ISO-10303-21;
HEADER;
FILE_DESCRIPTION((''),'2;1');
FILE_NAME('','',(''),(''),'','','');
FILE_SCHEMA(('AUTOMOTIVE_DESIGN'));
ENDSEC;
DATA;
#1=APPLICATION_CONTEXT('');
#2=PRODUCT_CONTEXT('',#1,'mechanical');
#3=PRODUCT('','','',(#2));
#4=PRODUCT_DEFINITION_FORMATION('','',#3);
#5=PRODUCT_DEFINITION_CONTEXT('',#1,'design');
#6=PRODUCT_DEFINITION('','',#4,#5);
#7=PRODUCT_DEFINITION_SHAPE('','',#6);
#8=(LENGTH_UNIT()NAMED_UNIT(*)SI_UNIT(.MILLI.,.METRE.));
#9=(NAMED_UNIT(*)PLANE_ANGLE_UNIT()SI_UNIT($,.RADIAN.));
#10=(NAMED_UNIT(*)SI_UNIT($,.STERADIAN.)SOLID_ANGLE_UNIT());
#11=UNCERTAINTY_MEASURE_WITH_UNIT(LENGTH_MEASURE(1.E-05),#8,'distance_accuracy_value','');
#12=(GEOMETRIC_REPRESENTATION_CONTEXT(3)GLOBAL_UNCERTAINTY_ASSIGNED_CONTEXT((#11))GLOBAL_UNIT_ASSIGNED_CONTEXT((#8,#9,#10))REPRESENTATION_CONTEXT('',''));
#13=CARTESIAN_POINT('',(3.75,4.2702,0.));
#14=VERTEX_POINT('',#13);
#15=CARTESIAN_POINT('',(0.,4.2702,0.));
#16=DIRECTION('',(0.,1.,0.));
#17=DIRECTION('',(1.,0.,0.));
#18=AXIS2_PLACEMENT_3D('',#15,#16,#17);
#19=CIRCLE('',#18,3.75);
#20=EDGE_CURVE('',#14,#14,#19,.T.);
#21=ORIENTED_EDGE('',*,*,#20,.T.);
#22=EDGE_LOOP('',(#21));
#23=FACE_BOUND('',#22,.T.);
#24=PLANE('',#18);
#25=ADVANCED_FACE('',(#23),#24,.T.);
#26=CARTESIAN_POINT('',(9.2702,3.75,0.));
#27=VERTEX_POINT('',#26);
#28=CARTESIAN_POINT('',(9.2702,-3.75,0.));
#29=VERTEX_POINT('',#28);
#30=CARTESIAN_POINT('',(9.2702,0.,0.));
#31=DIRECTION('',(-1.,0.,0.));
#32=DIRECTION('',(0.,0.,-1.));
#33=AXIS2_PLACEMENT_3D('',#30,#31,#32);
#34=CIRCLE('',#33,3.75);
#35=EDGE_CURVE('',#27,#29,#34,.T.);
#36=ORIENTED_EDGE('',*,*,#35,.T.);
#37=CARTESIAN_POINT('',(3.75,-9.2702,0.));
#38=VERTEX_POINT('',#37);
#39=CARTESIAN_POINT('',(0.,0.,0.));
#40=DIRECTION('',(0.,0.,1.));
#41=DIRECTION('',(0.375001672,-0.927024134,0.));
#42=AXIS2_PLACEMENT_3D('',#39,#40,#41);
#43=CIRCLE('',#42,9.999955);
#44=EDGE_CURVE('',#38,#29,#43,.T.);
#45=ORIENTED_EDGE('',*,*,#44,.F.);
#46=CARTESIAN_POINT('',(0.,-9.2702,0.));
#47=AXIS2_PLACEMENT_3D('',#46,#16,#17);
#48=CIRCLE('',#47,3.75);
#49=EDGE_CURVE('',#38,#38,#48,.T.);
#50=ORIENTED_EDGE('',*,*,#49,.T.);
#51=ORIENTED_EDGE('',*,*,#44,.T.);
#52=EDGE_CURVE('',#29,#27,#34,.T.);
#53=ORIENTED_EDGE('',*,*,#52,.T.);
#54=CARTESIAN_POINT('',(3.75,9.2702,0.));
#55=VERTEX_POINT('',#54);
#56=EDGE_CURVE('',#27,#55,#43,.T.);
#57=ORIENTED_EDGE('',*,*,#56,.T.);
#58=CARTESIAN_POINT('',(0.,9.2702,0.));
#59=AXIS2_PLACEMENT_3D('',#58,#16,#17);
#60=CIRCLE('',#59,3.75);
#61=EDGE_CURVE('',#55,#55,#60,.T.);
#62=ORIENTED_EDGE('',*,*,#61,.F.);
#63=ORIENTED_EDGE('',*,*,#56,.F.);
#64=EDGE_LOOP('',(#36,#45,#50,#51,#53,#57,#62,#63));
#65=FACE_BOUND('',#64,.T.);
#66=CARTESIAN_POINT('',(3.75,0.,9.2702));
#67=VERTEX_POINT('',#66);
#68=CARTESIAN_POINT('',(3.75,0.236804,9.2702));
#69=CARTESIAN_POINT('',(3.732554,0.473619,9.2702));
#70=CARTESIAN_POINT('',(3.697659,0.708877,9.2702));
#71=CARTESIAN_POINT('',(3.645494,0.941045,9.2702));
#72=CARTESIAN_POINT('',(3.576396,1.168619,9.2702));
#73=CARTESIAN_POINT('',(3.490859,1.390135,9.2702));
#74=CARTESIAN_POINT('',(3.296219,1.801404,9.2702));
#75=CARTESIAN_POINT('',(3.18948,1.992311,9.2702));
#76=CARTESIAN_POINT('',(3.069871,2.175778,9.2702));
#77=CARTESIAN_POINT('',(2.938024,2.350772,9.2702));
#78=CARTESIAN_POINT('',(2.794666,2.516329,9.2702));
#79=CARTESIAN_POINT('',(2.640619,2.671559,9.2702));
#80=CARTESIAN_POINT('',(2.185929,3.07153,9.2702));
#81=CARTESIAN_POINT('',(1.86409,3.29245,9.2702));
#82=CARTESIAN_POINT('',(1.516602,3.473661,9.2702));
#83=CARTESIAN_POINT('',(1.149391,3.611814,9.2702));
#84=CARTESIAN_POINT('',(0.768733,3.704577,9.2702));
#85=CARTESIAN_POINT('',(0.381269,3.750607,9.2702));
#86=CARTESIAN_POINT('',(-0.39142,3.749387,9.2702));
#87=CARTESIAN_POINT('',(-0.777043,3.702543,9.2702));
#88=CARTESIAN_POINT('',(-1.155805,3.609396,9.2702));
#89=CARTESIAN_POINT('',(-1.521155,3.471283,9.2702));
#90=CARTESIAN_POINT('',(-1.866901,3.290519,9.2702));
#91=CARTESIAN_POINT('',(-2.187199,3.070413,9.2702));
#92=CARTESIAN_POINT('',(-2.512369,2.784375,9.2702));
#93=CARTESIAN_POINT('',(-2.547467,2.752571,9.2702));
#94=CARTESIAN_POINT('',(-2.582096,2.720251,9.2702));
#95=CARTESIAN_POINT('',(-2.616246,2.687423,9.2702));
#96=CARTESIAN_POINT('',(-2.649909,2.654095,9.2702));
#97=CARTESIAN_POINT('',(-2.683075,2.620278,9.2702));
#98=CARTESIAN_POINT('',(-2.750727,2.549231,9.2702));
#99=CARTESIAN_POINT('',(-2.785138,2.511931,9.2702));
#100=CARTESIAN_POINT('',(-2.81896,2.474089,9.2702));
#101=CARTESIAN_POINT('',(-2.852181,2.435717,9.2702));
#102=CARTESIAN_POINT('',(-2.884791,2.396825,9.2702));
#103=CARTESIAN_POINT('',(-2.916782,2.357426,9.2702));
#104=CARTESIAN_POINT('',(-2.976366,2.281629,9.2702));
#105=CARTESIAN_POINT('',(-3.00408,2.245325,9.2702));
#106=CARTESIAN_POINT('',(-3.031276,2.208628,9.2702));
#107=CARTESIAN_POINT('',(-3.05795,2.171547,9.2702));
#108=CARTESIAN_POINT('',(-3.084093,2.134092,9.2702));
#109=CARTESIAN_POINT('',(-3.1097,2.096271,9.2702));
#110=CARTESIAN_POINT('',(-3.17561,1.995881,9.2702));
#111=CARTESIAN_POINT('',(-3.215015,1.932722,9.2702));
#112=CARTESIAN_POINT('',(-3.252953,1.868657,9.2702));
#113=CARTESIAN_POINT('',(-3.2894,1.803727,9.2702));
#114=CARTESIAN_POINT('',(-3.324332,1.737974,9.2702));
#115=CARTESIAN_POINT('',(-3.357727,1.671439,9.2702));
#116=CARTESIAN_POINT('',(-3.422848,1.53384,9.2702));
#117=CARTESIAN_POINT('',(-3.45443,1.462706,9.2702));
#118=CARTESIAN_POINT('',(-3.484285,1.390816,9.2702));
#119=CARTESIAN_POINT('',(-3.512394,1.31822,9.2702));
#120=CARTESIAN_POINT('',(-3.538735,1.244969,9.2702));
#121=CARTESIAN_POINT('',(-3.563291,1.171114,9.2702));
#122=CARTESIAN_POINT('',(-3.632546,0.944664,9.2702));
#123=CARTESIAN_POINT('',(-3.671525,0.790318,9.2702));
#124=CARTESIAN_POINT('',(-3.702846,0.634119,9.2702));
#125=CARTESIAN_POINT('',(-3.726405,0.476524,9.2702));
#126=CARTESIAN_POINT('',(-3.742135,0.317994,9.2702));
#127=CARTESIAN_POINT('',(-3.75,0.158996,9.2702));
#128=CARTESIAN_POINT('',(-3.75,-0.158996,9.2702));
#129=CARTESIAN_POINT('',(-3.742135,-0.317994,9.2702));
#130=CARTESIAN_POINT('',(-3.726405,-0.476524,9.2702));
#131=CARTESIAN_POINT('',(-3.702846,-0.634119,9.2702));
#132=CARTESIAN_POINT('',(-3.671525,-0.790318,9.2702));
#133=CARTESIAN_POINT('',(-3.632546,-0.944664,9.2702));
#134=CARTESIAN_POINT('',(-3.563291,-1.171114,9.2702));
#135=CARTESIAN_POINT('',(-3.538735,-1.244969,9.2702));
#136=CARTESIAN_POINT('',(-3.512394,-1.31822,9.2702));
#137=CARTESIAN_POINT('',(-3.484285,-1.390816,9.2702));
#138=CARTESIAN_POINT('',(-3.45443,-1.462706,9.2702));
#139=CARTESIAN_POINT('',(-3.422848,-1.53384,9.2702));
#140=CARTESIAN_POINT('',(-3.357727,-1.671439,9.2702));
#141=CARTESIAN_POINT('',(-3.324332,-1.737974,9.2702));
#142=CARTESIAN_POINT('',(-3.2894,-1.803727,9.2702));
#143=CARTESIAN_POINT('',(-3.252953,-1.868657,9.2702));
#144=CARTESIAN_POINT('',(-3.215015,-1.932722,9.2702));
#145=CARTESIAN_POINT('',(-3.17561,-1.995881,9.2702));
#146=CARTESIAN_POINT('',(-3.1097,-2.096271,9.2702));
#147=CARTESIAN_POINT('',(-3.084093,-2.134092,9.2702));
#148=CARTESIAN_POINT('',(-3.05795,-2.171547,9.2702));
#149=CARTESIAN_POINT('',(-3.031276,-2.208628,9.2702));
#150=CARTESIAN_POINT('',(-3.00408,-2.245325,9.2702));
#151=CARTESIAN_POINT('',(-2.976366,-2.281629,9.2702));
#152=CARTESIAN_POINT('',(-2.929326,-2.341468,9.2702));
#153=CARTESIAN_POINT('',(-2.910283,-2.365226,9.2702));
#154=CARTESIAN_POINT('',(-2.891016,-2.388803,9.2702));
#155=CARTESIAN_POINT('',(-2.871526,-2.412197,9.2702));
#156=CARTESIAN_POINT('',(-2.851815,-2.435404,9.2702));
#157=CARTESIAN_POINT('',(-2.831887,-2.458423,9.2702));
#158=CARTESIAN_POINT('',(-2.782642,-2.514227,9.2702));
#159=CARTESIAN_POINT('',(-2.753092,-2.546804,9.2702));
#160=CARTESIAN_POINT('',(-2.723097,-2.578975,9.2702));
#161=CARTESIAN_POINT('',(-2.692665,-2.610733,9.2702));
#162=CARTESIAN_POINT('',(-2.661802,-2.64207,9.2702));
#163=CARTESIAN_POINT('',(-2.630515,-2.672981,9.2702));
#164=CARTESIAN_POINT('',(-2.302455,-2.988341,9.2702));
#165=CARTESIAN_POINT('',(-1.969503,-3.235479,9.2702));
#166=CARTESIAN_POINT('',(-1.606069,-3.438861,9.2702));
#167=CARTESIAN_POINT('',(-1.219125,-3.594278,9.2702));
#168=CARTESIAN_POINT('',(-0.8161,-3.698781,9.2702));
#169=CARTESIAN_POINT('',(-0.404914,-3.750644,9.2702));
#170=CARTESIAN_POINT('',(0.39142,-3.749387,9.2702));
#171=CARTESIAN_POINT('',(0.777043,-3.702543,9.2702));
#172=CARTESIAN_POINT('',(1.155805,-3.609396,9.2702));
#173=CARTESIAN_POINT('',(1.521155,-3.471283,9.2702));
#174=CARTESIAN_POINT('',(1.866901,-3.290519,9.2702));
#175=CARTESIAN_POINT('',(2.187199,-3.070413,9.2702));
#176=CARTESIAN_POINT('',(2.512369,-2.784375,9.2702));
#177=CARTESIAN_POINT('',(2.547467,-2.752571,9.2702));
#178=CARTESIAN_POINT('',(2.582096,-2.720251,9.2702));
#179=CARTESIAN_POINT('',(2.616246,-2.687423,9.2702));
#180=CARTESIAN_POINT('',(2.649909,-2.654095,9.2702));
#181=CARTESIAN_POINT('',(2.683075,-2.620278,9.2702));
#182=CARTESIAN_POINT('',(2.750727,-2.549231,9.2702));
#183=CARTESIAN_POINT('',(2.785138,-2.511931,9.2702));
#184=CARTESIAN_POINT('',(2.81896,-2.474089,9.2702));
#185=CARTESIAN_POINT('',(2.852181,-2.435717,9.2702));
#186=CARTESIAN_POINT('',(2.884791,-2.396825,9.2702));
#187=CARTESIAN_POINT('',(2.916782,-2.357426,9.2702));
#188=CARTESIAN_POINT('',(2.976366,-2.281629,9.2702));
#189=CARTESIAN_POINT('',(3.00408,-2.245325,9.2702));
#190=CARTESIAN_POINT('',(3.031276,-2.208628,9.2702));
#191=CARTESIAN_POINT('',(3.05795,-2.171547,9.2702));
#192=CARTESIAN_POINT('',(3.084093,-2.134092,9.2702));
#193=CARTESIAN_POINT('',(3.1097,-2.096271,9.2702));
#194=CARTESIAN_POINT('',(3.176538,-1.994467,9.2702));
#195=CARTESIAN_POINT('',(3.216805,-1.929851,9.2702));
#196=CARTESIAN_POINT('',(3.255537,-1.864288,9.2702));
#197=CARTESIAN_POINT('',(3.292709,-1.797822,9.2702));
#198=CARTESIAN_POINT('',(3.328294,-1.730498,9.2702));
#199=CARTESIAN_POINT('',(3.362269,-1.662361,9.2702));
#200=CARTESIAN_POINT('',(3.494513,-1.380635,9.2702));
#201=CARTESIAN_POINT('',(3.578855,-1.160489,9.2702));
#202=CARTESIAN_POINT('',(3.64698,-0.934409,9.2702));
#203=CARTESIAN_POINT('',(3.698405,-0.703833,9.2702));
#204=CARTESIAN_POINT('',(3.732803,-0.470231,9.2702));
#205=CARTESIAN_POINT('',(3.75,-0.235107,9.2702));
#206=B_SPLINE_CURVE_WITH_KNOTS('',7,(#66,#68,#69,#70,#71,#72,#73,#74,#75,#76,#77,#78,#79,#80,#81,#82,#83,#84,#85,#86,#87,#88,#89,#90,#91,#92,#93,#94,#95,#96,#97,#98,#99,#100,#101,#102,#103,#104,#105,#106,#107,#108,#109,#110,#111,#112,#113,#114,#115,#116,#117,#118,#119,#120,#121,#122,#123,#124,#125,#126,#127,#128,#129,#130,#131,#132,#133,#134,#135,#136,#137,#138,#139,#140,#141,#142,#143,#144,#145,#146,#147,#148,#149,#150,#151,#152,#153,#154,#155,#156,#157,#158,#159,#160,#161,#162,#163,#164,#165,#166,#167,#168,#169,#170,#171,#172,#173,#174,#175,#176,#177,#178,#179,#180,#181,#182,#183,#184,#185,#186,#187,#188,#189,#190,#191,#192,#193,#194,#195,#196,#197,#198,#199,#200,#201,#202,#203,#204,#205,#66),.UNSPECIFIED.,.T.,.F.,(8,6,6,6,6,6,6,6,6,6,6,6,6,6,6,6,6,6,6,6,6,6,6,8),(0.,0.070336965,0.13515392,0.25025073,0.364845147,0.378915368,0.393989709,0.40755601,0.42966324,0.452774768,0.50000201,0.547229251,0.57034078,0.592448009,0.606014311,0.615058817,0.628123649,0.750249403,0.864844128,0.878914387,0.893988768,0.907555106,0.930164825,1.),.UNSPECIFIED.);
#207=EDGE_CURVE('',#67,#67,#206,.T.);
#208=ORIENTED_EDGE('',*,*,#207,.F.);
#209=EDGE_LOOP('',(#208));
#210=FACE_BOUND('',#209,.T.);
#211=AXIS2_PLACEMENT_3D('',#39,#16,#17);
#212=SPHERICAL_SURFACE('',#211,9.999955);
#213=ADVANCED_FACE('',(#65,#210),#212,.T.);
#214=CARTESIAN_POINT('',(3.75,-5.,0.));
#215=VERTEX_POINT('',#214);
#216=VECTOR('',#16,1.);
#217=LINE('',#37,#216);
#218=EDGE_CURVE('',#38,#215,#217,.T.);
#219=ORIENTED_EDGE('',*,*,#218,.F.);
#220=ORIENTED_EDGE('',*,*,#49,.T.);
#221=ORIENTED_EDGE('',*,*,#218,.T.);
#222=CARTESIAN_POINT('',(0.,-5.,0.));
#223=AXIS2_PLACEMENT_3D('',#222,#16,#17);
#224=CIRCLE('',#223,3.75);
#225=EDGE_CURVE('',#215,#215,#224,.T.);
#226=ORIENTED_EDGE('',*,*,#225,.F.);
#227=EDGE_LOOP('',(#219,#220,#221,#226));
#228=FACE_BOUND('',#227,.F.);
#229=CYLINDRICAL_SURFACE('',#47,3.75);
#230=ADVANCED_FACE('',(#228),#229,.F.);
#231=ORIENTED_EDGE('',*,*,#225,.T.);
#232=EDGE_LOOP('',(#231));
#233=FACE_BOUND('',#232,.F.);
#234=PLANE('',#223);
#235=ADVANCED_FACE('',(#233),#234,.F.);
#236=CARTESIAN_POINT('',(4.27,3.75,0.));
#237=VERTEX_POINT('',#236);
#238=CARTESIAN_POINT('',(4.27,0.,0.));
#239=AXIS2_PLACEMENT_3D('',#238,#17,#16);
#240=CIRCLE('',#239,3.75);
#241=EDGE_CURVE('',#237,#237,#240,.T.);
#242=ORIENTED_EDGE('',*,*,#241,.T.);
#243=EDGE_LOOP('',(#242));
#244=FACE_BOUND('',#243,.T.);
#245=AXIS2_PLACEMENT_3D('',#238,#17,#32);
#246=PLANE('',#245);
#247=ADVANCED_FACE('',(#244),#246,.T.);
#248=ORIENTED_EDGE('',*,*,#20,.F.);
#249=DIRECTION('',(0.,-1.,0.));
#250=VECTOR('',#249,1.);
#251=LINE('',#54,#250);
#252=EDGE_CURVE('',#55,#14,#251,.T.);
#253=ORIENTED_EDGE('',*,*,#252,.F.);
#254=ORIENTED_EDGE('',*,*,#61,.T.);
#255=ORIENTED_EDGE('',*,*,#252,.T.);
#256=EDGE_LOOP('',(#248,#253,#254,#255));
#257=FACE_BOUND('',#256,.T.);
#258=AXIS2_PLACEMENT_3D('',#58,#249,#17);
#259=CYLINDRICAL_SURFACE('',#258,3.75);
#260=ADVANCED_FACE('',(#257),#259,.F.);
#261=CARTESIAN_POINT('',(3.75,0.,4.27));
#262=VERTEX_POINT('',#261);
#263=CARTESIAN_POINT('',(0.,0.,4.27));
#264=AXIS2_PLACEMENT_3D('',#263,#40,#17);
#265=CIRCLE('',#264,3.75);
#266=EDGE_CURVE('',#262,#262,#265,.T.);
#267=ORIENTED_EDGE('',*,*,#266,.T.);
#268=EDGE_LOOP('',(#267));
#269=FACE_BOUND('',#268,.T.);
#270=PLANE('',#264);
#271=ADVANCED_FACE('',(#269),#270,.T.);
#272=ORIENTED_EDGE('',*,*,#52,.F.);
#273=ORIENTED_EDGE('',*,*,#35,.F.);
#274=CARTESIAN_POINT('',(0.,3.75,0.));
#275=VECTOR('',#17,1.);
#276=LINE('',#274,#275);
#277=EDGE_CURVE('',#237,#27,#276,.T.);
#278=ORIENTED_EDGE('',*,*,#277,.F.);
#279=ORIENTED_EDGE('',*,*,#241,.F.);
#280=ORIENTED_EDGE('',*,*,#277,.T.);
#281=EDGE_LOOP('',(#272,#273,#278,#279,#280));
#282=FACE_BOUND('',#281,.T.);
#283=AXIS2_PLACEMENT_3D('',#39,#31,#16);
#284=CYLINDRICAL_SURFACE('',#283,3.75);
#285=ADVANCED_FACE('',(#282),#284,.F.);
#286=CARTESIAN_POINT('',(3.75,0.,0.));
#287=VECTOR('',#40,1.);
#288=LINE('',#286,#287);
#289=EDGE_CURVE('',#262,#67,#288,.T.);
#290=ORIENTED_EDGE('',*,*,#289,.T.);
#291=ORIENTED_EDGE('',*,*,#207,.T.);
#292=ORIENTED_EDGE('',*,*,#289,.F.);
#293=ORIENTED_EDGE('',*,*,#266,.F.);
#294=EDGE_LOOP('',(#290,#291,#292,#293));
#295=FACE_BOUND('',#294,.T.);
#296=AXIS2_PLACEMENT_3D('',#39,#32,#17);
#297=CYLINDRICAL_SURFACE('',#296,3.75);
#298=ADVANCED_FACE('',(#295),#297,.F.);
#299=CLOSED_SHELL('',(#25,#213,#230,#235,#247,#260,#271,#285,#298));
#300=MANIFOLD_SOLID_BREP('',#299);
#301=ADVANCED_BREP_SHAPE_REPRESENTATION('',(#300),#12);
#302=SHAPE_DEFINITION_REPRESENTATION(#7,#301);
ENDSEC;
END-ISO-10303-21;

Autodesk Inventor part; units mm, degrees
ref_plane "YZ Plane" through (0, 0, 0) normal (1, 0, 0) x (0, 1, 0)
ref_plane "XZ Plane" through (0, 0, 0) normal (0, 1, 0) x (-1, 0, 0)
ref_plane "XY Plane" through (0, 0, 0) normal (0, 0, 1) x (1, 0, 0)
sketch "Sketch1" plane through (0, 0, 0) normal (0, 0, 1) x (1, 0, 0)
  line L0 (0, -5) -> (0, 4.2702)
  line L1 (3.75, -9.2702) -> (3.75, -5)
  line L2 (3.75, -5) -> (0, -5)
  line L3 (3.75, 9.2702) -> (3.75, 4.2702)
  line L4 (3.75, 4.2702) -> (0, 4.2702)
  arc A0 (3.75, -9.2702) -> (3.75, 9.2702) centre (0, 0) ccw
  dimension "d4" = 5
  dimension "d9" = 20
revolve "Revolution1" add sketch "Sketch1" angle 360 about axis through (0, -5, 0) along (0, 1, 0)
sketch "Sketch2" plane through (0, 0, 0) normal (1, 0, 0) x (0, 1, 0)
  circle A0 centre (0, 0) radius 3.75
  dimension "d11" = 7.5
extrude "Extrusion1" cut sketch "Sketch2" along normal blind 10
sketch "Sketch3" plane through (0, 0, 0) normal (1, 0, 0) x (0, 0, -1)
  circle A0 centre (0, 0) radius 3.75
extrude "Extrusion2" add sketch "Sketch3" along normal blind 4.27
sketch "Sketch4" plane through (0, 0, 0) normal (0, 0, 1) x (1, 0, 0)
  circle A0 centre (0, 0) radius 3.75
  dimension "d16" = 7.5
extrude "Extrusion3" cut sketch "Sketch4" along normal blind 10
sketch "Sketch5" plane through (0, 0, 0) normal (0, 0, 1) x (1, 0, 0)
  circle A0 centre (0, 0) radius 3.75
extrude "Extrusion4" add sketch "Sketch5" along normal blind 4.27
properties part number "Base2"
